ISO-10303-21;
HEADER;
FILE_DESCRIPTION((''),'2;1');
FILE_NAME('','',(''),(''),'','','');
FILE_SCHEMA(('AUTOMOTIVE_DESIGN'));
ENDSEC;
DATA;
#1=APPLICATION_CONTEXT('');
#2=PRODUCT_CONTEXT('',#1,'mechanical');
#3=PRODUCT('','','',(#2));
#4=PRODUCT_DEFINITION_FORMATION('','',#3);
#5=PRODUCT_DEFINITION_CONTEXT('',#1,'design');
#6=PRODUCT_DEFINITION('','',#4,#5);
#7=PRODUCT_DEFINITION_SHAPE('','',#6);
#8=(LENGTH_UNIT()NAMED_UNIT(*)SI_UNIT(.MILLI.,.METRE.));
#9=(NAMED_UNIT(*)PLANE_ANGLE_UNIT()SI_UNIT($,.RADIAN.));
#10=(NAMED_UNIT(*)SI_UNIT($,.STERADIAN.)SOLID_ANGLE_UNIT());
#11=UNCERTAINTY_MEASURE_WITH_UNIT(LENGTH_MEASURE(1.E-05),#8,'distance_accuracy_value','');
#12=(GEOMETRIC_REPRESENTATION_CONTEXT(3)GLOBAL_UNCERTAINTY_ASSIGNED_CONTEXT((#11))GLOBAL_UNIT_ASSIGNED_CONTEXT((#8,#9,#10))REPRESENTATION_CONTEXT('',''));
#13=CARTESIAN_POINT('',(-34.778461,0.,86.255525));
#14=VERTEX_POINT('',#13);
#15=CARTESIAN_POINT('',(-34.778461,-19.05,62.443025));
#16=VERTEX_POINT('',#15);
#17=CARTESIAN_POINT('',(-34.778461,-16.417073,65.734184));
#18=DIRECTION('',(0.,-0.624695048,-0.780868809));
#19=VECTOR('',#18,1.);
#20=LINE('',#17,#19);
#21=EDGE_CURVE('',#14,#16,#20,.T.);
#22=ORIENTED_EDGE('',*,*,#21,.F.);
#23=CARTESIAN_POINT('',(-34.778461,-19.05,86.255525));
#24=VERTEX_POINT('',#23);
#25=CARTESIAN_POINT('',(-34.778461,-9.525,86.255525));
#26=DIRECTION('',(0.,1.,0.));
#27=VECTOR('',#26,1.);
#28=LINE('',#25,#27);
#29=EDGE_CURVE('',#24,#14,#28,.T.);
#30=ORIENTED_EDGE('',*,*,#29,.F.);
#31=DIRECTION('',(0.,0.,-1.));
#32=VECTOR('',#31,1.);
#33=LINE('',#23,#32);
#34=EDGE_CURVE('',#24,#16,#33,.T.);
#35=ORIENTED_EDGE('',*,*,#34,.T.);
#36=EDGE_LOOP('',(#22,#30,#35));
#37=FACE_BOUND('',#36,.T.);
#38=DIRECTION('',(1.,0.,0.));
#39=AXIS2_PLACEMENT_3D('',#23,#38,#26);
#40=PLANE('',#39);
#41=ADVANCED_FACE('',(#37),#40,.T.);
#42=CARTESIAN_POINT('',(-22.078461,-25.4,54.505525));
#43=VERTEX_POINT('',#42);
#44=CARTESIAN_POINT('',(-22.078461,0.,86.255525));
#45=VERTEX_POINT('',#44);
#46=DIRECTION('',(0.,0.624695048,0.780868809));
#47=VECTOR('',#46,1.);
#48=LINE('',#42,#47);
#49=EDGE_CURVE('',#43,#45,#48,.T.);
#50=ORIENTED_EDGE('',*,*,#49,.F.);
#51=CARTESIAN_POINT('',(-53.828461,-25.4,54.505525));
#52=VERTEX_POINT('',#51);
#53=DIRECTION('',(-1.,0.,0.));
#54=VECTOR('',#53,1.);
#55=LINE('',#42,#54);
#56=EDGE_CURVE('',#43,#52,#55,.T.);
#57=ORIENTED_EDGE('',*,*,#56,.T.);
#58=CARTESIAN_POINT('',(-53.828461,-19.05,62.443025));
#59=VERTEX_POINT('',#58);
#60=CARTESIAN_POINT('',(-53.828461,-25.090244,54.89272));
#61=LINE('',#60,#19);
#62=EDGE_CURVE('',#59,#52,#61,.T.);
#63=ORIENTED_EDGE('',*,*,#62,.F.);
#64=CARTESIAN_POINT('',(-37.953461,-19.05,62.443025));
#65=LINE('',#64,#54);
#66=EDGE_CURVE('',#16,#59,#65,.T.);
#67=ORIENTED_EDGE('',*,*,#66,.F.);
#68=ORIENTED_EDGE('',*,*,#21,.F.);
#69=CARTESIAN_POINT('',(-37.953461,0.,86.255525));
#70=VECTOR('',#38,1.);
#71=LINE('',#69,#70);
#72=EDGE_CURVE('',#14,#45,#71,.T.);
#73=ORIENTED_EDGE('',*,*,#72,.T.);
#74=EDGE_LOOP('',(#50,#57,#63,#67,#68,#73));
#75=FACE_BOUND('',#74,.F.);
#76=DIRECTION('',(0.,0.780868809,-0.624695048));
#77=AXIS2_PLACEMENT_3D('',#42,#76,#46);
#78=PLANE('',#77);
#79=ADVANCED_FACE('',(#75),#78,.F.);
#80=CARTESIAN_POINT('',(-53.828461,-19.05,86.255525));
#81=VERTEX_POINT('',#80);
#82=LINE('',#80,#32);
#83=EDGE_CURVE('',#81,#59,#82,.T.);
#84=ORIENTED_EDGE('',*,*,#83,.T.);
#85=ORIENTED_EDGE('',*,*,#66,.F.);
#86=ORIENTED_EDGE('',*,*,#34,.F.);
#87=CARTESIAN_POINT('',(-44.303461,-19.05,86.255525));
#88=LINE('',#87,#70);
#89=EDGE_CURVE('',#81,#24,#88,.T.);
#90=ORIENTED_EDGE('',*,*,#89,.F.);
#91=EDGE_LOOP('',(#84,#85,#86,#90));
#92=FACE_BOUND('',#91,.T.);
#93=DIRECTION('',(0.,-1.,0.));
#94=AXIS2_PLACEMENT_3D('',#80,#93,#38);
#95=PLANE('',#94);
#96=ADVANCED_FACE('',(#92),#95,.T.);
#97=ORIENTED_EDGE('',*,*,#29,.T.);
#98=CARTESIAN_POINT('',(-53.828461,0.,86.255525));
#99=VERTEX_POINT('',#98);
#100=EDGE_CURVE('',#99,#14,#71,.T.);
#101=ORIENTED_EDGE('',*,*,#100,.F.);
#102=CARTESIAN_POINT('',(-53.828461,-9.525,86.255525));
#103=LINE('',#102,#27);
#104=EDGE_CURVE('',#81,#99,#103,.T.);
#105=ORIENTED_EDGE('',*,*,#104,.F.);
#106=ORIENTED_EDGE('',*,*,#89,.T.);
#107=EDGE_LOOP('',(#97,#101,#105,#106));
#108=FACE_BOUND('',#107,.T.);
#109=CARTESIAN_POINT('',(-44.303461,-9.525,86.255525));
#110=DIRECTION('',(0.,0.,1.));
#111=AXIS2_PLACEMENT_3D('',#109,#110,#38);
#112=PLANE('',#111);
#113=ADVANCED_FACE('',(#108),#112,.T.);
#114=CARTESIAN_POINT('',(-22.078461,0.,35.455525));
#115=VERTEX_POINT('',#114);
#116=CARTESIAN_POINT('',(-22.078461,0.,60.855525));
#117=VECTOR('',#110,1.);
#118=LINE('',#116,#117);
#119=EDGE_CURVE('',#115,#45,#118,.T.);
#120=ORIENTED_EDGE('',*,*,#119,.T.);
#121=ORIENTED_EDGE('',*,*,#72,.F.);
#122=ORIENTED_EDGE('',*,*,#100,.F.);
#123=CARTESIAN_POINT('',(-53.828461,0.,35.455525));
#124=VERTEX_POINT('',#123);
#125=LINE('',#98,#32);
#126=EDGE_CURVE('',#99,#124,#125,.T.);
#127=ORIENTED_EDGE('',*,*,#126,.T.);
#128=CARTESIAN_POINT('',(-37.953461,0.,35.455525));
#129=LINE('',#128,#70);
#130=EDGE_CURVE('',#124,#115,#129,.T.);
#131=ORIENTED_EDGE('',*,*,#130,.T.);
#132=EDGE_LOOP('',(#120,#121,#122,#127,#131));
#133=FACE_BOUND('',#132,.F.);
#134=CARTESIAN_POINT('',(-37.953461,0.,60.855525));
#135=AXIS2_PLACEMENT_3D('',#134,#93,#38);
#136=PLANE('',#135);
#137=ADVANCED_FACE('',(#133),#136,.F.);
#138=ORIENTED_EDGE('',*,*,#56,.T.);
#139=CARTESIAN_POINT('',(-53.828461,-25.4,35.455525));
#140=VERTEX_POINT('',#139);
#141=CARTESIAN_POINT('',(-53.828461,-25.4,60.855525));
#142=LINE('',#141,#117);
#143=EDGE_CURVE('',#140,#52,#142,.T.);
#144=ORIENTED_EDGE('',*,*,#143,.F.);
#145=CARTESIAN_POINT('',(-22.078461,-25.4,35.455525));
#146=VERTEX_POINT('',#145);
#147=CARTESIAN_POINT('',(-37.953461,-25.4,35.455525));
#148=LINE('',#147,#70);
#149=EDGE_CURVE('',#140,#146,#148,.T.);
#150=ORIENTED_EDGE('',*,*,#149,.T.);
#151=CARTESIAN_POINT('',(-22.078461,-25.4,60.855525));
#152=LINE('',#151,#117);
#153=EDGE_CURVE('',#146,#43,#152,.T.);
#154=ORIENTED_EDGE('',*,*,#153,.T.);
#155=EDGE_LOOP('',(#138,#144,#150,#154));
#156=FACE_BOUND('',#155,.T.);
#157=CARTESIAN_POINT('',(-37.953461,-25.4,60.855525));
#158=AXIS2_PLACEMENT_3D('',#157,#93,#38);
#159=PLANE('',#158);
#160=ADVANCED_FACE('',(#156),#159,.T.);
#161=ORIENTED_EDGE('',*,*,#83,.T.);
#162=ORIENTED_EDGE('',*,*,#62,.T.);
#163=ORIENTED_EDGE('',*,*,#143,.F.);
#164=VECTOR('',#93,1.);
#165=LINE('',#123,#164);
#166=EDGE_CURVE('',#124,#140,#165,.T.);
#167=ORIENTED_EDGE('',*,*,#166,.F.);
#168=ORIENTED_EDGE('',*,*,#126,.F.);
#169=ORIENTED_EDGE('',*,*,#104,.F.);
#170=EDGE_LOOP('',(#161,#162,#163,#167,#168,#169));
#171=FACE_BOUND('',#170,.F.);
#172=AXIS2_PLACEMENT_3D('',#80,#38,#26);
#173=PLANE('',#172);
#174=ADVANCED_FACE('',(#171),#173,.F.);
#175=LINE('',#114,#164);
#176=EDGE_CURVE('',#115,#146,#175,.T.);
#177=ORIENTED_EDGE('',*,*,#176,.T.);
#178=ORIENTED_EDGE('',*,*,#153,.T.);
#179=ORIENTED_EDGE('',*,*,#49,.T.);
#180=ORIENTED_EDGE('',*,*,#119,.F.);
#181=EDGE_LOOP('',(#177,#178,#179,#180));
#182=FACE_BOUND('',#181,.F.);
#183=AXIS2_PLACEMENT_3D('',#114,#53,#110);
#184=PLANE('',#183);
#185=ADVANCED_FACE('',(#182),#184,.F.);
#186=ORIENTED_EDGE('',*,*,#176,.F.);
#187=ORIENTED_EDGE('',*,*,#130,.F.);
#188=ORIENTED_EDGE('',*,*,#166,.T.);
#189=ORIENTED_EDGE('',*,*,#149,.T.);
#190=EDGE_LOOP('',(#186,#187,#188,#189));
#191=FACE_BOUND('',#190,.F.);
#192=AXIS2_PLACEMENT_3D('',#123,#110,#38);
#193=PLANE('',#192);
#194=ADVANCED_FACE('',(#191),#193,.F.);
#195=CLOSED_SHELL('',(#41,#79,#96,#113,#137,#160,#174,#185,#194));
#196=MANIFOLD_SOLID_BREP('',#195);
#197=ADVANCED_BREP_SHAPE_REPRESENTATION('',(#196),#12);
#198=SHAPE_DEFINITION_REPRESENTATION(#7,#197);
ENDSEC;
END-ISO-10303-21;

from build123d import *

# Parameters (mm, degrees)
F0_W     = 31.75
F0_H     = 50.8
F1_DEPTH = 25.4
F4_DEPTH = 31.751
F2_W     = 19.05
F2_H     = 19.05
F5_DEPTH = 50.546


with BuildPart() as f1:
    # F0 (on Front) → F1 (new body)
    with BuildSketch(Plane.XZ):
        with Locations((-37.953461, 60.855525)):
            Rectangle(F0_W, F0_H)
    extrude(amount=F1_DEPTH)

    # F3 (on face) → F4 (cut, through all)
    with BuildSketch(Plane.YZ.offset(-22.078461)):
        Polygon((-25.4, 54.505525), (0, 86.255525), (-25.4, 86.255525), align=None)
    extrude(amount=-F4_DEPTH, mode=Mode.SUBTRACT)

    # F2 (on face) → F5 (join)
    with BuildSketch(Plane.XY.offset(86.255525)):
        with Locations((-44.303461, -9.525)):
            Rectangle(F2_W, F2_H)
    extrude(amount=-F5_DEPTH)


solid = f1.part
